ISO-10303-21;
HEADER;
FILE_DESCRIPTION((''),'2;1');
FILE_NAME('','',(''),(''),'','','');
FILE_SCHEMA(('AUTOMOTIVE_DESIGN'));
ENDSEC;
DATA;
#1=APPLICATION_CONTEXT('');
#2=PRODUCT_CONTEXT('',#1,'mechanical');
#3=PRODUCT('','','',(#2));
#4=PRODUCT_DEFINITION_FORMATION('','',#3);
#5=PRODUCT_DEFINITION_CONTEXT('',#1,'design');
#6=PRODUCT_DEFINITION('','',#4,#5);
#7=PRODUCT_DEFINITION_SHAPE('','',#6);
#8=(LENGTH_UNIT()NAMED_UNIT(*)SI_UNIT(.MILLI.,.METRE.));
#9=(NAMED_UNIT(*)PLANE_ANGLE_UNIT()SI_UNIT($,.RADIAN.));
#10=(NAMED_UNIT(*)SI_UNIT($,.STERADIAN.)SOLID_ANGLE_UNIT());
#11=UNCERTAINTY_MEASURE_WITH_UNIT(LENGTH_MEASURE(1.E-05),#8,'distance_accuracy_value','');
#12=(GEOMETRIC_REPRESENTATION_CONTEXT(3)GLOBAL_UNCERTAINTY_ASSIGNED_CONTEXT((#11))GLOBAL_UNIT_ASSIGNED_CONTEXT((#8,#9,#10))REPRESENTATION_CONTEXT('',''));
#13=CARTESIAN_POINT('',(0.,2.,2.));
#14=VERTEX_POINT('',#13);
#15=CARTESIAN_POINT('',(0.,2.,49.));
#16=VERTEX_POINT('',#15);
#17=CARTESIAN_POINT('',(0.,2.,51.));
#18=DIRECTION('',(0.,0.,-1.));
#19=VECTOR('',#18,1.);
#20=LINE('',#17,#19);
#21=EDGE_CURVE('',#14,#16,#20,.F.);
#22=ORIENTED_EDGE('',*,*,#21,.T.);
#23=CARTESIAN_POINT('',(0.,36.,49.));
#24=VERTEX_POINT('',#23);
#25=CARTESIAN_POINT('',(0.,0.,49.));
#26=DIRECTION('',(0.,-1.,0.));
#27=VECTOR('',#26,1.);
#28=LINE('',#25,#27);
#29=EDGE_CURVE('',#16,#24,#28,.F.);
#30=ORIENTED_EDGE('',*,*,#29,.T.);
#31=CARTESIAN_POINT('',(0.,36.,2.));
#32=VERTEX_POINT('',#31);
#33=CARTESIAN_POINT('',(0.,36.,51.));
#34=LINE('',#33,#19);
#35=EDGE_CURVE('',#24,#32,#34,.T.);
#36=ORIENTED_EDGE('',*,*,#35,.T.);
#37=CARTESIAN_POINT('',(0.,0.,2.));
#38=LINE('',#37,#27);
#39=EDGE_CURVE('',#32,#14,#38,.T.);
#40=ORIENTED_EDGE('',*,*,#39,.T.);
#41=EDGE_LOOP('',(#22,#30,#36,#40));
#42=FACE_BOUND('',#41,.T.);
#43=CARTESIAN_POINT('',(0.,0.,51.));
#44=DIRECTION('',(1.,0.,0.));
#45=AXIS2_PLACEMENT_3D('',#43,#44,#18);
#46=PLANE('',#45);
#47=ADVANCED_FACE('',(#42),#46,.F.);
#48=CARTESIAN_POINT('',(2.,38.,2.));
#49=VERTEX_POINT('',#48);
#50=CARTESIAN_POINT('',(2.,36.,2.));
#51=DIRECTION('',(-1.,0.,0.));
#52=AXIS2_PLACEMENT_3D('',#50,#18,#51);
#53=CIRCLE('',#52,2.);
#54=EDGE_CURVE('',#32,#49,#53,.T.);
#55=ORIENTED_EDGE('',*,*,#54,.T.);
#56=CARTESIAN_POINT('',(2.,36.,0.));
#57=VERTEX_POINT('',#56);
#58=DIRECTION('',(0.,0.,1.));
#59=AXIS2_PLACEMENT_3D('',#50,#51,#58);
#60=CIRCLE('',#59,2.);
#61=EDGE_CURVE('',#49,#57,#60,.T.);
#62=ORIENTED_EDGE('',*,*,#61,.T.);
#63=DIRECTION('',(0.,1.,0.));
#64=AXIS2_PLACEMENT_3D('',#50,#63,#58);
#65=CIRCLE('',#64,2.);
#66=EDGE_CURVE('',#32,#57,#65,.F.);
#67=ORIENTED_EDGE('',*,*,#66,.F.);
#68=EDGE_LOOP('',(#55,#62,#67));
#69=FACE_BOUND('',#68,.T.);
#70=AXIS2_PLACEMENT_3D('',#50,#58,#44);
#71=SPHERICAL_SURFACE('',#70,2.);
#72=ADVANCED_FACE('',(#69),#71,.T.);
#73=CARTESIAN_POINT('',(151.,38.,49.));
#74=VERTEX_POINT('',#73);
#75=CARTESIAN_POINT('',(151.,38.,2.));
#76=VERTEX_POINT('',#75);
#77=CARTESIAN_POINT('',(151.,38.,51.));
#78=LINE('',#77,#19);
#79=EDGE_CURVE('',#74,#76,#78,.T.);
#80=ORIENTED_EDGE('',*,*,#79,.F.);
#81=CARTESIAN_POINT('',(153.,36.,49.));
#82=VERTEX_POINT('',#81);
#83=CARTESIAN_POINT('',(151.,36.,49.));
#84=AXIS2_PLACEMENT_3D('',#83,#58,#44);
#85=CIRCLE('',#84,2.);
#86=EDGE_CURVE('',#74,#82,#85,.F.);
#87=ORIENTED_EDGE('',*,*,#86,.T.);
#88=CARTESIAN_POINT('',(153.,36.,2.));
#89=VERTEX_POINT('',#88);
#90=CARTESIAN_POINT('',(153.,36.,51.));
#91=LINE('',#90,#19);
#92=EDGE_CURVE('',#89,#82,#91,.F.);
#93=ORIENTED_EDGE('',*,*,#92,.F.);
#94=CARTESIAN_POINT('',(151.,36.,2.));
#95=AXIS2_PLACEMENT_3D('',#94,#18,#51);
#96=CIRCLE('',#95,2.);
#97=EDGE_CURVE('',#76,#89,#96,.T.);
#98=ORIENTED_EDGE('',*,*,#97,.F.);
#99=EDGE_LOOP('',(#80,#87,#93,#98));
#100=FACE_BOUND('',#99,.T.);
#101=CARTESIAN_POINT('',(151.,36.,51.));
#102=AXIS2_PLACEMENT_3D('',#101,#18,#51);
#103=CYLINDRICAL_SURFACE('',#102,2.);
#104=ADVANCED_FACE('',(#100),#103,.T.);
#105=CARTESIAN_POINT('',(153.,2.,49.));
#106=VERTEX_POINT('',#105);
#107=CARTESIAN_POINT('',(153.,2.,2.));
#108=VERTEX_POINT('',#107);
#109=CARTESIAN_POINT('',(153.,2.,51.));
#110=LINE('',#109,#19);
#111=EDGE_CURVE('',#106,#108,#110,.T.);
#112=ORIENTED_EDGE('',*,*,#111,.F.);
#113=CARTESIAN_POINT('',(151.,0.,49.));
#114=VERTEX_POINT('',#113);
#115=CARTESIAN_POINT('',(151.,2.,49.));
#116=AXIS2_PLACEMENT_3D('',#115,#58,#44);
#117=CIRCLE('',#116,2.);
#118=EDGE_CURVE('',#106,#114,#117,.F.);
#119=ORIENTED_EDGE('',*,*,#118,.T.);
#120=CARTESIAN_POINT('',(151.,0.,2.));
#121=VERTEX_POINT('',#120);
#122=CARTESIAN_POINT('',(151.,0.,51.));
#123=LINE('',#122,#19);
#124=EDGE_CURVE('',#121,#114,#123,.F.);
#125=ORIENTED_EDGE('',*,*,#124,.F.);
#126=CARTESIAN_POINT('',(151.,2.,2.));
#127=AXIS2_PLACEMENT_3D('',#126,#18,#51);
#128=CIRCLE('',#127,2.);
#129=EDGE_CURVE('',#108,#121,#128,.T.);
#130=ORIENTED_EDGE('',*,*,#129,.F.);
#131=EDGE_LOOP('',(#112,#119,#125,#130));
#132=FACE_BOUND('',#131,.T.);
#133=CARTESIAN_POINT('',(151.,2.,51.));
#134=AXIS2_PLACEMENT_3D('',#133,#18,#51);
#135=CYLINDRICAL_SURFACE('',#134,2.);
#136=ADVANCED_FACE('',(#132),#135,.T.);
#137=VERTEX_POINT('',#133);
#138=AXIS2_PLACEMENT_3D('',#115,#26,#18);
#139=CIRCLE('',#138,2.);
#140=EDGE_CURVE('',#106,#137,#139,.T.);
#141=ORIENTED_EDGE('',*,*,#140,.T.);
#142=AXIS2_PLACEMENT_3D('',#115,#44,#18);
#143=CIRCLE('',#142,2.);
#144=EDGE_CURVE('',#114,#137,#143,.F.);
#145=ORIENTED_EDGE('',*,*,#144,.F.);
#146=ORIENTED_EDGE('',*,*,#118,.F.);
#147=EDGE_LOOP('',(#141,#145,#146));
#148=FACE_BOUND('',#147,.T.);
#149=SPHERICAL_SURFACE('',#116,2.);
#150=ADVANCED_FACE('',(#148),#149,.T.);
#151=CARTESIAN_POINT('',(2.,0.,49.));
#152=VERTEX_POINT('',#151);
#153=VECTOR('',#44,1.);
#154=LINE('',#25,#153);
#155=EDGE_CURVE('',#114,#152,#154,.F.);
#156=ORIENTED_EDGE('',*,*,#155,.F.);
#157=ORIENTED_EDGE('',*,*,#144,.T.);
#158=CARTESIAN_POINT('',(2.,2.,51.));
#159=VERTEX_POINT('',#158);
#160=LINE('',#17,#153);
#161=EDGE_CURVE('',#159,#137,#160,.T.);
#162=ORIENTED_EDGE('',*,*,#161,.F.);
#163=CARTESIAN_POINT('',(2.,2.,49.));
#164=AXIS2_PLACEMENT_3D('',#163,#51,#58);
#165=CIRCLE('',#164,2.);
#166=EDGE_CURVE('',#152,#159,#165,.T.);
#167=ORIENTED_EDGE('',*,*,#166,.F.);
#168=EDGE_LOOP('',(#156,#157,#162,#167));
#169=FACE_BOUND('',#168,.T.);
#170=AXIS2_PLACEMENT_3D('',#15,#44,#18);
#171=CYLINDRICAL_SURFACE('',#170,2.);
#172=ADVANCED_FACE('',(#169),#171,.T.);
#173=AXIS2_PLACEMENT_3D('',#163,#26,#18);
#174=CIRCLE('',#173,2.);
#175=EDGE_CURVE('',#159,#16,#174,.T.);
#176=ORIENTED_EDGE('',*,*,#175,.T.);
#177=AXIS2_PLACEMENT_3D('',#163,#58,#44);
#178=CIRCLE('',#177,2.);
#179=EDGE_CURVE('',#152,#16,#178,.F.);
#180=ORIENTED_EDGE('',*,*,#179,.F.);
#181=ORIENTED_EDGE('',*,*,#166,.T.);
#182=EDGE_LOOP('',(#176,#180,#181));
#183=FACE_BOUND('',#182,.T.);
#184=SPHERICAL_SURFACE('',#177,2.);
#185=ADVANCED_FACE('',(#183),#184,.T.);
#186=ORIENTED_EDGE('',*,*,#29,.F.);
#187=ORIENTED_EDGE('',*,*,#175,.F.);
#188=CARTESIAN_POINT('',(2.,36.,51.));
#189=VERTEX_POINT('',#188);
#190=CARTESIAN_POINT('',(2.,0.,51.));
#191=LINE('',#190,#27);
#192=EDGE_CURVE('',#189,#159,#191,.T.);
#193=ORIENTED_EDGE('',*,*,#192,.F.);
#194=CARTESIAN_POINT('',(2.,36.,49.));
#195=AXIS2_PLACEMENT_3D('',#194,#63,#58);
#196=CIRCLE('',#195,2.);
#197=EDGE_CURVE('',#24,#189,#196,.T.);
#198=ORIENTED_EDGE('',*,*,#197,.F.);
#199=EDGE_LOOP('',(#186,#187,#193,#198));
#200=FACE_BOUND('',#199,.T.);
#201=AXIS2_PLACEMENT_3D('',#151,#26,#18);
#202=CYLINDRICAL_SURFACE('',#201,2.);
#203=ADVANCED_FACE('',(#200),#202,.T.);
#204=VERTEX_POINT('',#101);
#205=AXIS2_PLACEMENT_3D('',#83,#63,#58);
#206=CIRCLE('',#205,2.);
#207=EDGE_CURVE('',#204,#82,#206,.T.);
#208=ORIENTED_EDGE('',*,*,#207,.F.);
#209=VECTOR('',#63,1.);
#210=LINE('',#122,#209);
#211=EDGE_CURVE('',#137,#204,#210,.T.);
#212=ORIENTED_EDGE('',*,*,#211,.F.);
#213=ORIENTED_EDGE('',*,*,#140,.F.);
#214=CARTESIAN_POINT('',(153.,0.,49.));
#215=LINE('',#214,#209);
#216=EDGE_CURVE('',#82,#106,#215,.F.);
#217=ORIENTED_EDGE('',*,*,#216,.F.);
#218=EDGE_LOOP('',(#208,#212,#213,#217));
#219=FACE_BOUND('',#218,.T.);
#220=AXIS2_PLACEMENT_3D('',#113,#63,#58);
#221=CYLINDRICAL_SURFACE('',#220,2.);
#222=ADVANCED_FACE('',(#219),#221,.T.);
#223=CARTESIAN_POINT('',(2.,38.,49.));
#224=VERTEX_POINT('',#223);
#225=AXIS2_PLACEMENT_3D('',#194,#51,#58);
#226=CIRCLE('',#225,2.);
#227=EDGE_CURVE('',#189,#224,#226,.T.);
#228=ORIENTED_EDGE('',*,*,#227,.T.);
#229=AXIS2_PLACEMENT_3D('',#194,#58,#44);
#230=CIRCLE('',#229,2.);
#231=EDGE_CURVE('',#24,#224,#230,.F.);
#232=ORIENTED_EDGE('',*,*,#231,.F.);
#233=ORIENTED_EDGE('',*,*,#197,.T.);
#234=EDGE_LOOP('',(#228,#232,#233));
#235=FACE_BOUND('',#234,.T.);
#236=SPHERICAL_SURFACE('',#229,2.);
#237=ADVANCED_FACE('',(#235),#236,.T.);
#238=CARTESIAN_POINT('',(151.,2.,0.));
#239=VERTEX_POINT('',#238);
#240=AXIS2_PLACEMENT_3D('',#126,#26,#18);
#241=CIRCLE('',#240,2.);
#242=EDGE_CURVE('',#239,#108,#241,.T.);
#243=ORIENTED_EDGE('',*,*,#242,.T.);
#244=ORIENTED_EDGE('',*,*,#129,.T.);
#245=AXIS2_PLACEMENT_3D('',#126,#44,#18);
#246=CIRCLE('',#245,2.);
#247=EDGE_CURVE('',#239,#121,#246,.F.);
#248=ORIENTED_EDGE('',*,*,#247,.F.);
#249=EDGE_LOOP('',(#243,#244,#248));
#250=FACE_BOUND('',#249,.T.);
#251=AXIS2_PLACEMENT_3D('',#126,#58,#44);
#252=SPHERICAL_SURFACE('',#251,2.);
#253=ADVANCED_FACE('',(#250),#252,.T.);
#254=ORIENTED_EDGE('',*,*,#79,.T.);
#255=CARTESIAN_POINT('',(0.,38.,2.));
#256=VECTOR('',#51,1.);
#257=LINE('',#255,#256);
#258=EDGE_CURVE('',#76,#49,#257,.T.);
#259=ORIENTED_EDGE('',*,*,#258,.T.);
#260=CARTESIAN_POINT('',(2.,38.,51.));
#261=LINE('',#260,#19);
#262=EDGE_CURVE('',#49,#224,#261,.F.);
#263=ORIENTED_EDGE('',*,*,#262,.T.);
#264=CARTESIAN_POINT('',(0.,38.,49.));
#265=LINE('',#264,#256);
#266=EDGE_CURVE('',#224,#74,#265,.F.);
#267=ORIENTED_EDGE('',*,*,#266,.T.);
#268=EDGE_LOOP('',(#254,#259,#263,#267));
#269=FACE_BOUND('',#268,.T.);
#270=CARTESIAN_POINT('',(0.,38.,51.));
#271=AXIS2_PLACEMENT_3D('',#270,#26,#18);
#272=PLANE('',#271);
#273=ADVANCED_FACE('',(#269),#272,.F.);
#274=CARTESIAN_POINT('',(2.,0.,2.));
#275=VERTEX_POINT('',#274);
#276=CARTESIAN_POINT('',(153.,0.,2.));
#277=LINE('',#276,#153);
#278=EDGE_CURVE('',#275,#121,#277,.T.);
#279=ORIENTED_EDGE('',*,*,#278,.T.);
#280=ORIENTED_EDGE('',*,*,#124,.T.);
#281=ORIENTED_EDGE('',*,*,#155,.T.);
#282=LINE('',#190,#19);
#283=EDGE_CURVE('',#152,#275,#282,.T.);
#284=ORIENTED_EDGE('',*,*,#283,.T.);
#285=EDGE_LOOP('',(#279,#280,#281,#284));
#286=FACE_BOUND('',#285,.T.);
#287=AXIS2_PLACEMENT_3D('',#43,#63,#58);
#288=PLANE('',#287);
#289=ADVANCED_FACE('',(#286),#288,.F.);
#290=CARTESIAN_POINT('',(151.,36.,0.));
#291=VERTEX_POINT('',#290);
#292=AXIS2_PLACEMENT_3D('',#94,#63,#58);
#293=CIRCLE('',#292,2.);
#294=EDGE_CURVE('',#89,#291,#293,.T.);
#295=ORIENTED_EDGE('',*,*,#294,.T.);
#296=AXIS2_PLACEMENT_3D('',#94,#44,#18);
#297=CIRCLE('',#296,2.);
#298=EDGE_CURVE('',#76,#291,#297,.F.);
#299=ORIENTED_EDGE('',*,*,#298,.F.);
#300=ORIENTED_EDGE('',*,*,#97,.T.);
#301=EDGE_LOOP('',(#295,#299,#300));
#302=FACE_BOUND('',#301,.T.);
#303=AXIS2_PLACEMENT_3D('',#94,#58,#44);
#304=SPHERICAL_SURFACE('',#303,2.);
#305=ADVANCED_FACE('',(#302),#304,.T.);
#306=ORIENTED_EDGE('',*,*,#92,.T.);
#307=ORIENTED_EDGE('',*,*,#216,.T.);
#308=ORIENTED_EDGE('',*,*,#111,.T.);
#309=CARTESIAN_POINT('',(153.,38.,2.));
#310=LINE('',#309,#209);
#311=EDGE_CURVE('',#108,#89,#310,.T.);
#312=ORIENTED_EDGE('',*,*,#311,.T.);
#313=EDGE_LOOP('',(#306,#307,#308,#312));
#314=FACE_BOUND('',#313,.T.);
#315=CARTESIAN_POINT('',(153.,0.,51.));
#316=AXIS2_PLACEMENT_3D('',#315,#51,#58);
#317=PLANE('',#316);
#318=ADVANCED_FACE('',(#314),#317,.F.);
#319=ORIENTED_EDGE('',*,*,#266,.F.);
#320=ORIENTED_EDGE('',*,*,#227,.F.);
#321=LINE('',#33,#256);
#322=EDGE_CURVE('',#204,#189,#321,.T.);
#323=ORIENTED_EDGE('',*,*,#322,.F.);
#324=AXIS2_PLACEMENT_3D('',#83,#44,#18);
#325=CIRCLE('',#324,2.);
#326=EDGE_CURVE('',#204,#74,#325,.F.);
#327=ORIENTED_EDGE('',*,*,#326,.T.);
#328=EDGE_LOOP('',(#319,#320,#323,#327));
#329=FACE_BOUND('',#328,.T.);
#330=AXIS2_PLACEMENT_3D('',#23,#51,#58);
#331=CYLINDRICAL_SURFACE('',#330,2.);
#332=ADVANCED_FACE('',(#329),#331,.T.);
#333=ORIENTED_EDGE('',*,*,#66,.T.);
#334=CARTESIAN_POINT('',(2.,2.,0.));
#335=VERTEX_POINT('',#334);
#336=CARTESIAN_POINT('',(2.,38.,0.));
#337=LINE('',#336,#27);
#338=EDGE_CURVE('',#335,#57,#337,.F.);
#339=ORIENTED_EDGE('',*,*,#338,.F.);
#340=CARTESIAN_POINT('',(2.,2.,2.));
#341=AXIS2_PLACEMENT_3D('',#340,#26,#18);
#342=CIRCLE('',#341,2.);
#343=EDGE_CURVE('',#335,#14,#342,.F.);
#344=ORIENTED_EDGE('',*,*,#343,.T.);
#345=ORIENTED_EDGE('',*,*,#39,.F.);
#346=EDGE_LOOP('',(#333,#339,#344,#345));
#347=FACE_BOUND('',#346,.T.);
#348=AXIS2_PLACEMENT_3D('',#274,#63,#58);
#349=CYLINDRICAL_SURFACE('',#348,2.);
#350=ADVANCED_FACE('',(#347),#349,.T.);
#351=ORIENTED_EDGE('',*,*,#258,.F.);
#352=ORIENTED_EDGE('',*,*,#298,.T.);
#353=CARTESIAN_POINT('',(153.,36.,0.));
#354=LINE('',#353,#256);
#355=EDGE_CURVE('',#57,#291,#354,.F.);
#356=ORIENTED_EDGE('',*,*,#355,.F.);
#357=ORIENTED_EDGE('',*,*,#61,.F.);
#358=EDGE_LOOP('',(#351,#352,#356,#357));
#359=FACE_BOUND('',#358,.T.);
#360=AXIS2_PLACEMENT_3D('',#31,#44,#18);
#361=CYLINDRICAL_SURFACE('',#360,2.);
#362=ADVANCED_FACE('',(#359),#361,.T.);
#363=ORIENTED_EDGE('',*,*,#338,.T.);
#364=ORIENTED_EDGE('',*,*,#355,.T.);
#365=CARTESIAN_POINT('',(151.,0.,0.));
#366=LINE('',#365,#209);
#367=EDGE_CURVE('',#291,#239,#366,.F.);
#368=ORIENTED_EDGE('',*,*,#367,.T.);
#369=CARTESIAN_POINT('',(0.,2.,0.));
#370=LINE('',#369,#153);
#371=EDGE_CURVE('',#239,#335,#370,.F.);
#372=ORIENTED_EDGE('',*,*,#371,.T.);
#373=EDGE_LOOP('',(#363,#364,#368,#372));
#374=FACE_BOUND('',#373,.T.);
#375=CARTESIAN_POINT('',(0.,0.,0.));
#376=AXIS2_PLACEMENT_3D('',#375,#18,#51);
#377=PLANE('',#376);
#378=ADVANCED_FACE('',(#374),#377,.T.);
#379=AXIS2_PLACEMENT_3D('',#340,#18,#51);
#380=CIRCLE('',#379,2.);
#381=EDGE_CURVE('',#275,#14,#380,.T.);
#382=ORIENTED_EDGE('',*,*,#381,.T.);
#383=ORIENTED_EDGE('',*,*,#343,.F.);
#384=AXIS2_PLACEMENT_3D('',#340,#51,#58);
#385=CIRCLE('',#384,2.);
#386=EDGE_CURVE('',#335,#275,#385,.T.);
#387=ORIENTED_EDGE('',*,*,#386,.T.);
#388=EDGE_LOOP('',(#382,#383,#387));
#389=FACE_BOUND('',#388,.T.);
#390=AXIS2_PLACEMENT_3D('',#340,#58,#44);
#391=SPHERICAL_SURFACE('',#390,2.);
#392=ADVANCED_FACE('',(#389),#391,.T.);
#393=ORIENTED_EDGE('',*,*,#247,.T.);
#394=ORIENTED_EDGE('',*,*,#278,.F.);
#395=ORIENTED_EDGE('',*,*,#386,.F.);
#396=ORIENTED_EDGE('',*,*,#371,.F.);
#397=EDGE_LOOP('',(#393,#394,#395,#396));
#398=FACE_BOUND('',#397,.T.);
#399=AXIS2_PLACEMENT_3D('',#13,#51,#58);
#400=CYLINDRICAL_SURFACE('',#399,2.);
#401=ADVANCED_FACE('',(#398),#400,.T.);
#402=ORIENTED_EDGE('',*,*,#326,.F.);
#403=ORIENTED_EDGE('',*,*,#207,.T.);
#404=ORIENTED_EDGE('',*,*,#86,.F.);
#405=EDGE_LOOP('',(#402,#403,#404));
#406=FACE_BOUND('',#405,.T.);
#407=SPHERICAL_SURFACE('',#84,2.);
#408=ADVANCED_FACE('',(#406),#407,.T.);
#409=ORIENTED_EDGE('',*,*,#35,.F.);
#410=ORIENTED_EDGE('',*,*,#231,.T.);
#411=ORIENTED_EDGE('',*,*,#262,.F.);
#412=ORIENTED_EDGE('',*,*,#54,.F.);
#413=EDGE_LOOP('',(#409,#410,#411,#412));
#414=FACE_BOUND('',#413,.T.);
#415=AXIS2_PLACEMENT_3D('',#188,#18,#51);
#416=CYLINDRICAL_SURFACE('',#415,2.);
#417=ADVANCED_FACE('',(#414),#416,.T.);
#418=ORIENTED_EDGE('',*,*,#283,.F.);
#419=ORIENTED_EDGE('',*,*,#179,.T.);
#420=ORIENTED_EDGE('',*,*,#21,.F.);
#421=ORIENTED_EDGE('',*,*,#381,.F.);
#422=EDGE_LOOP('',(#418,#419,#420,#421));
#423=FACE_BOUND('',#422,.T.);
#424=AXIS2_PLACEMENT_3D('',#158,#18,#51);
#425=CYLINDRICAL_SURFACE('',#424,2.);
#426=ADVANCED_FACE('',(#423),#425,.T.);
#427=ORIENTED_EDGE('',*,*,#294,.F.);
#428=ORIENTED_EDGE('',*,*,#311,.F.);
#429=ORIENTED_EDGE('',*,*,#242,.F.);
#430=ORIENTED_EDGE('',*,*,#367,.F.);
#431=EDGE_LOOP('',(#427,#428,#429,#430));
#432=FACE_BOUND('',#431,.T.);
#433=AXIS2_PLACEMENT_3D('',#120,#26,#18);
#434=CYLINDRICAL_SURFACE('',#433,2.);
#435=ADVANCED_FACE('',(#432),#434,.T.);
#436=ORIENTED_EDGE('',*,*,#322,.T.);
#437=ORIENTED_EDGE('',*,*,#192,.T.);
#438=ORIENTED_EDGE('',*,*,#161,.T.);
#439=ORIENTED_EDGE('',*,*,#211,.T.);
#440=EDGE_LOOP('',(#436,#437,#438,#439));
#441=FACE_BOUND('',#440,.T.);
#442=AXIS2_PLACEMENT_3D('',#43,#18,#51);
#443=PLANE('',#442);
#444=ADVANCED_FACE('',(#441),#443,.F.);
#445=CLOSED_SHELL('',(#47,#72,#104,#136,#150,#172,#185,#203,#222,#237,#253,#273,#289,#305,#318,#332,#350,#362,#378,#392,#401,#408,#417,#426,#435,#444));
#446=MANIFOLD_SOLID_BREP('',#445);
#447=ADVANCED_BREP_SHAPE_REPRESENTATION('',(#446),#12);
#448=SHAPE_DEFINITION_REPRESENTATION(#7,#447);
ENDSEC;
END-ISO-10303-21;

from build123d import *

# Parameters (mm, degrees)
IZIM1_W                     = 153
IZIM1_H                     = 38
Y_KSEKLIK_EKSTR_ZYON1_DEPTH = 51
RADYUS1_R                   = 2


with BuildPart() as part:
    # Çizim1 → Yükseklik-Ekstrüzyon1 (new body)
    with BuildSketch(Plane.XY):
        with Locations((76.5, 19)):
            Rectangle(IZIM1_W, IZIM1_H)
    extrude(amount=Y_KSEKLIK_EKSTR_ZYON1_DEPTH)

    # Radyus1
    radyus1_edges = [part.edges().sort_by_distance(p)[0] for p in [
        (153, 19, 51),
        (76.5, 38, 51),
        (0, 19, 51),
        (76.5, 38, 0),
        (153, 19, 0),
        (76.5, 0, 0),
        (0, 19, 0),
        (0, 38, 25.5),
        (153, 38, 25.5),
        (153, 0, 25.5),
        (0, 0, 25.5),
        (76.5, 0, 51),
    ]]
    fillet(radyus1_edges, radius=RADYUS1_R)


solid = part.part
